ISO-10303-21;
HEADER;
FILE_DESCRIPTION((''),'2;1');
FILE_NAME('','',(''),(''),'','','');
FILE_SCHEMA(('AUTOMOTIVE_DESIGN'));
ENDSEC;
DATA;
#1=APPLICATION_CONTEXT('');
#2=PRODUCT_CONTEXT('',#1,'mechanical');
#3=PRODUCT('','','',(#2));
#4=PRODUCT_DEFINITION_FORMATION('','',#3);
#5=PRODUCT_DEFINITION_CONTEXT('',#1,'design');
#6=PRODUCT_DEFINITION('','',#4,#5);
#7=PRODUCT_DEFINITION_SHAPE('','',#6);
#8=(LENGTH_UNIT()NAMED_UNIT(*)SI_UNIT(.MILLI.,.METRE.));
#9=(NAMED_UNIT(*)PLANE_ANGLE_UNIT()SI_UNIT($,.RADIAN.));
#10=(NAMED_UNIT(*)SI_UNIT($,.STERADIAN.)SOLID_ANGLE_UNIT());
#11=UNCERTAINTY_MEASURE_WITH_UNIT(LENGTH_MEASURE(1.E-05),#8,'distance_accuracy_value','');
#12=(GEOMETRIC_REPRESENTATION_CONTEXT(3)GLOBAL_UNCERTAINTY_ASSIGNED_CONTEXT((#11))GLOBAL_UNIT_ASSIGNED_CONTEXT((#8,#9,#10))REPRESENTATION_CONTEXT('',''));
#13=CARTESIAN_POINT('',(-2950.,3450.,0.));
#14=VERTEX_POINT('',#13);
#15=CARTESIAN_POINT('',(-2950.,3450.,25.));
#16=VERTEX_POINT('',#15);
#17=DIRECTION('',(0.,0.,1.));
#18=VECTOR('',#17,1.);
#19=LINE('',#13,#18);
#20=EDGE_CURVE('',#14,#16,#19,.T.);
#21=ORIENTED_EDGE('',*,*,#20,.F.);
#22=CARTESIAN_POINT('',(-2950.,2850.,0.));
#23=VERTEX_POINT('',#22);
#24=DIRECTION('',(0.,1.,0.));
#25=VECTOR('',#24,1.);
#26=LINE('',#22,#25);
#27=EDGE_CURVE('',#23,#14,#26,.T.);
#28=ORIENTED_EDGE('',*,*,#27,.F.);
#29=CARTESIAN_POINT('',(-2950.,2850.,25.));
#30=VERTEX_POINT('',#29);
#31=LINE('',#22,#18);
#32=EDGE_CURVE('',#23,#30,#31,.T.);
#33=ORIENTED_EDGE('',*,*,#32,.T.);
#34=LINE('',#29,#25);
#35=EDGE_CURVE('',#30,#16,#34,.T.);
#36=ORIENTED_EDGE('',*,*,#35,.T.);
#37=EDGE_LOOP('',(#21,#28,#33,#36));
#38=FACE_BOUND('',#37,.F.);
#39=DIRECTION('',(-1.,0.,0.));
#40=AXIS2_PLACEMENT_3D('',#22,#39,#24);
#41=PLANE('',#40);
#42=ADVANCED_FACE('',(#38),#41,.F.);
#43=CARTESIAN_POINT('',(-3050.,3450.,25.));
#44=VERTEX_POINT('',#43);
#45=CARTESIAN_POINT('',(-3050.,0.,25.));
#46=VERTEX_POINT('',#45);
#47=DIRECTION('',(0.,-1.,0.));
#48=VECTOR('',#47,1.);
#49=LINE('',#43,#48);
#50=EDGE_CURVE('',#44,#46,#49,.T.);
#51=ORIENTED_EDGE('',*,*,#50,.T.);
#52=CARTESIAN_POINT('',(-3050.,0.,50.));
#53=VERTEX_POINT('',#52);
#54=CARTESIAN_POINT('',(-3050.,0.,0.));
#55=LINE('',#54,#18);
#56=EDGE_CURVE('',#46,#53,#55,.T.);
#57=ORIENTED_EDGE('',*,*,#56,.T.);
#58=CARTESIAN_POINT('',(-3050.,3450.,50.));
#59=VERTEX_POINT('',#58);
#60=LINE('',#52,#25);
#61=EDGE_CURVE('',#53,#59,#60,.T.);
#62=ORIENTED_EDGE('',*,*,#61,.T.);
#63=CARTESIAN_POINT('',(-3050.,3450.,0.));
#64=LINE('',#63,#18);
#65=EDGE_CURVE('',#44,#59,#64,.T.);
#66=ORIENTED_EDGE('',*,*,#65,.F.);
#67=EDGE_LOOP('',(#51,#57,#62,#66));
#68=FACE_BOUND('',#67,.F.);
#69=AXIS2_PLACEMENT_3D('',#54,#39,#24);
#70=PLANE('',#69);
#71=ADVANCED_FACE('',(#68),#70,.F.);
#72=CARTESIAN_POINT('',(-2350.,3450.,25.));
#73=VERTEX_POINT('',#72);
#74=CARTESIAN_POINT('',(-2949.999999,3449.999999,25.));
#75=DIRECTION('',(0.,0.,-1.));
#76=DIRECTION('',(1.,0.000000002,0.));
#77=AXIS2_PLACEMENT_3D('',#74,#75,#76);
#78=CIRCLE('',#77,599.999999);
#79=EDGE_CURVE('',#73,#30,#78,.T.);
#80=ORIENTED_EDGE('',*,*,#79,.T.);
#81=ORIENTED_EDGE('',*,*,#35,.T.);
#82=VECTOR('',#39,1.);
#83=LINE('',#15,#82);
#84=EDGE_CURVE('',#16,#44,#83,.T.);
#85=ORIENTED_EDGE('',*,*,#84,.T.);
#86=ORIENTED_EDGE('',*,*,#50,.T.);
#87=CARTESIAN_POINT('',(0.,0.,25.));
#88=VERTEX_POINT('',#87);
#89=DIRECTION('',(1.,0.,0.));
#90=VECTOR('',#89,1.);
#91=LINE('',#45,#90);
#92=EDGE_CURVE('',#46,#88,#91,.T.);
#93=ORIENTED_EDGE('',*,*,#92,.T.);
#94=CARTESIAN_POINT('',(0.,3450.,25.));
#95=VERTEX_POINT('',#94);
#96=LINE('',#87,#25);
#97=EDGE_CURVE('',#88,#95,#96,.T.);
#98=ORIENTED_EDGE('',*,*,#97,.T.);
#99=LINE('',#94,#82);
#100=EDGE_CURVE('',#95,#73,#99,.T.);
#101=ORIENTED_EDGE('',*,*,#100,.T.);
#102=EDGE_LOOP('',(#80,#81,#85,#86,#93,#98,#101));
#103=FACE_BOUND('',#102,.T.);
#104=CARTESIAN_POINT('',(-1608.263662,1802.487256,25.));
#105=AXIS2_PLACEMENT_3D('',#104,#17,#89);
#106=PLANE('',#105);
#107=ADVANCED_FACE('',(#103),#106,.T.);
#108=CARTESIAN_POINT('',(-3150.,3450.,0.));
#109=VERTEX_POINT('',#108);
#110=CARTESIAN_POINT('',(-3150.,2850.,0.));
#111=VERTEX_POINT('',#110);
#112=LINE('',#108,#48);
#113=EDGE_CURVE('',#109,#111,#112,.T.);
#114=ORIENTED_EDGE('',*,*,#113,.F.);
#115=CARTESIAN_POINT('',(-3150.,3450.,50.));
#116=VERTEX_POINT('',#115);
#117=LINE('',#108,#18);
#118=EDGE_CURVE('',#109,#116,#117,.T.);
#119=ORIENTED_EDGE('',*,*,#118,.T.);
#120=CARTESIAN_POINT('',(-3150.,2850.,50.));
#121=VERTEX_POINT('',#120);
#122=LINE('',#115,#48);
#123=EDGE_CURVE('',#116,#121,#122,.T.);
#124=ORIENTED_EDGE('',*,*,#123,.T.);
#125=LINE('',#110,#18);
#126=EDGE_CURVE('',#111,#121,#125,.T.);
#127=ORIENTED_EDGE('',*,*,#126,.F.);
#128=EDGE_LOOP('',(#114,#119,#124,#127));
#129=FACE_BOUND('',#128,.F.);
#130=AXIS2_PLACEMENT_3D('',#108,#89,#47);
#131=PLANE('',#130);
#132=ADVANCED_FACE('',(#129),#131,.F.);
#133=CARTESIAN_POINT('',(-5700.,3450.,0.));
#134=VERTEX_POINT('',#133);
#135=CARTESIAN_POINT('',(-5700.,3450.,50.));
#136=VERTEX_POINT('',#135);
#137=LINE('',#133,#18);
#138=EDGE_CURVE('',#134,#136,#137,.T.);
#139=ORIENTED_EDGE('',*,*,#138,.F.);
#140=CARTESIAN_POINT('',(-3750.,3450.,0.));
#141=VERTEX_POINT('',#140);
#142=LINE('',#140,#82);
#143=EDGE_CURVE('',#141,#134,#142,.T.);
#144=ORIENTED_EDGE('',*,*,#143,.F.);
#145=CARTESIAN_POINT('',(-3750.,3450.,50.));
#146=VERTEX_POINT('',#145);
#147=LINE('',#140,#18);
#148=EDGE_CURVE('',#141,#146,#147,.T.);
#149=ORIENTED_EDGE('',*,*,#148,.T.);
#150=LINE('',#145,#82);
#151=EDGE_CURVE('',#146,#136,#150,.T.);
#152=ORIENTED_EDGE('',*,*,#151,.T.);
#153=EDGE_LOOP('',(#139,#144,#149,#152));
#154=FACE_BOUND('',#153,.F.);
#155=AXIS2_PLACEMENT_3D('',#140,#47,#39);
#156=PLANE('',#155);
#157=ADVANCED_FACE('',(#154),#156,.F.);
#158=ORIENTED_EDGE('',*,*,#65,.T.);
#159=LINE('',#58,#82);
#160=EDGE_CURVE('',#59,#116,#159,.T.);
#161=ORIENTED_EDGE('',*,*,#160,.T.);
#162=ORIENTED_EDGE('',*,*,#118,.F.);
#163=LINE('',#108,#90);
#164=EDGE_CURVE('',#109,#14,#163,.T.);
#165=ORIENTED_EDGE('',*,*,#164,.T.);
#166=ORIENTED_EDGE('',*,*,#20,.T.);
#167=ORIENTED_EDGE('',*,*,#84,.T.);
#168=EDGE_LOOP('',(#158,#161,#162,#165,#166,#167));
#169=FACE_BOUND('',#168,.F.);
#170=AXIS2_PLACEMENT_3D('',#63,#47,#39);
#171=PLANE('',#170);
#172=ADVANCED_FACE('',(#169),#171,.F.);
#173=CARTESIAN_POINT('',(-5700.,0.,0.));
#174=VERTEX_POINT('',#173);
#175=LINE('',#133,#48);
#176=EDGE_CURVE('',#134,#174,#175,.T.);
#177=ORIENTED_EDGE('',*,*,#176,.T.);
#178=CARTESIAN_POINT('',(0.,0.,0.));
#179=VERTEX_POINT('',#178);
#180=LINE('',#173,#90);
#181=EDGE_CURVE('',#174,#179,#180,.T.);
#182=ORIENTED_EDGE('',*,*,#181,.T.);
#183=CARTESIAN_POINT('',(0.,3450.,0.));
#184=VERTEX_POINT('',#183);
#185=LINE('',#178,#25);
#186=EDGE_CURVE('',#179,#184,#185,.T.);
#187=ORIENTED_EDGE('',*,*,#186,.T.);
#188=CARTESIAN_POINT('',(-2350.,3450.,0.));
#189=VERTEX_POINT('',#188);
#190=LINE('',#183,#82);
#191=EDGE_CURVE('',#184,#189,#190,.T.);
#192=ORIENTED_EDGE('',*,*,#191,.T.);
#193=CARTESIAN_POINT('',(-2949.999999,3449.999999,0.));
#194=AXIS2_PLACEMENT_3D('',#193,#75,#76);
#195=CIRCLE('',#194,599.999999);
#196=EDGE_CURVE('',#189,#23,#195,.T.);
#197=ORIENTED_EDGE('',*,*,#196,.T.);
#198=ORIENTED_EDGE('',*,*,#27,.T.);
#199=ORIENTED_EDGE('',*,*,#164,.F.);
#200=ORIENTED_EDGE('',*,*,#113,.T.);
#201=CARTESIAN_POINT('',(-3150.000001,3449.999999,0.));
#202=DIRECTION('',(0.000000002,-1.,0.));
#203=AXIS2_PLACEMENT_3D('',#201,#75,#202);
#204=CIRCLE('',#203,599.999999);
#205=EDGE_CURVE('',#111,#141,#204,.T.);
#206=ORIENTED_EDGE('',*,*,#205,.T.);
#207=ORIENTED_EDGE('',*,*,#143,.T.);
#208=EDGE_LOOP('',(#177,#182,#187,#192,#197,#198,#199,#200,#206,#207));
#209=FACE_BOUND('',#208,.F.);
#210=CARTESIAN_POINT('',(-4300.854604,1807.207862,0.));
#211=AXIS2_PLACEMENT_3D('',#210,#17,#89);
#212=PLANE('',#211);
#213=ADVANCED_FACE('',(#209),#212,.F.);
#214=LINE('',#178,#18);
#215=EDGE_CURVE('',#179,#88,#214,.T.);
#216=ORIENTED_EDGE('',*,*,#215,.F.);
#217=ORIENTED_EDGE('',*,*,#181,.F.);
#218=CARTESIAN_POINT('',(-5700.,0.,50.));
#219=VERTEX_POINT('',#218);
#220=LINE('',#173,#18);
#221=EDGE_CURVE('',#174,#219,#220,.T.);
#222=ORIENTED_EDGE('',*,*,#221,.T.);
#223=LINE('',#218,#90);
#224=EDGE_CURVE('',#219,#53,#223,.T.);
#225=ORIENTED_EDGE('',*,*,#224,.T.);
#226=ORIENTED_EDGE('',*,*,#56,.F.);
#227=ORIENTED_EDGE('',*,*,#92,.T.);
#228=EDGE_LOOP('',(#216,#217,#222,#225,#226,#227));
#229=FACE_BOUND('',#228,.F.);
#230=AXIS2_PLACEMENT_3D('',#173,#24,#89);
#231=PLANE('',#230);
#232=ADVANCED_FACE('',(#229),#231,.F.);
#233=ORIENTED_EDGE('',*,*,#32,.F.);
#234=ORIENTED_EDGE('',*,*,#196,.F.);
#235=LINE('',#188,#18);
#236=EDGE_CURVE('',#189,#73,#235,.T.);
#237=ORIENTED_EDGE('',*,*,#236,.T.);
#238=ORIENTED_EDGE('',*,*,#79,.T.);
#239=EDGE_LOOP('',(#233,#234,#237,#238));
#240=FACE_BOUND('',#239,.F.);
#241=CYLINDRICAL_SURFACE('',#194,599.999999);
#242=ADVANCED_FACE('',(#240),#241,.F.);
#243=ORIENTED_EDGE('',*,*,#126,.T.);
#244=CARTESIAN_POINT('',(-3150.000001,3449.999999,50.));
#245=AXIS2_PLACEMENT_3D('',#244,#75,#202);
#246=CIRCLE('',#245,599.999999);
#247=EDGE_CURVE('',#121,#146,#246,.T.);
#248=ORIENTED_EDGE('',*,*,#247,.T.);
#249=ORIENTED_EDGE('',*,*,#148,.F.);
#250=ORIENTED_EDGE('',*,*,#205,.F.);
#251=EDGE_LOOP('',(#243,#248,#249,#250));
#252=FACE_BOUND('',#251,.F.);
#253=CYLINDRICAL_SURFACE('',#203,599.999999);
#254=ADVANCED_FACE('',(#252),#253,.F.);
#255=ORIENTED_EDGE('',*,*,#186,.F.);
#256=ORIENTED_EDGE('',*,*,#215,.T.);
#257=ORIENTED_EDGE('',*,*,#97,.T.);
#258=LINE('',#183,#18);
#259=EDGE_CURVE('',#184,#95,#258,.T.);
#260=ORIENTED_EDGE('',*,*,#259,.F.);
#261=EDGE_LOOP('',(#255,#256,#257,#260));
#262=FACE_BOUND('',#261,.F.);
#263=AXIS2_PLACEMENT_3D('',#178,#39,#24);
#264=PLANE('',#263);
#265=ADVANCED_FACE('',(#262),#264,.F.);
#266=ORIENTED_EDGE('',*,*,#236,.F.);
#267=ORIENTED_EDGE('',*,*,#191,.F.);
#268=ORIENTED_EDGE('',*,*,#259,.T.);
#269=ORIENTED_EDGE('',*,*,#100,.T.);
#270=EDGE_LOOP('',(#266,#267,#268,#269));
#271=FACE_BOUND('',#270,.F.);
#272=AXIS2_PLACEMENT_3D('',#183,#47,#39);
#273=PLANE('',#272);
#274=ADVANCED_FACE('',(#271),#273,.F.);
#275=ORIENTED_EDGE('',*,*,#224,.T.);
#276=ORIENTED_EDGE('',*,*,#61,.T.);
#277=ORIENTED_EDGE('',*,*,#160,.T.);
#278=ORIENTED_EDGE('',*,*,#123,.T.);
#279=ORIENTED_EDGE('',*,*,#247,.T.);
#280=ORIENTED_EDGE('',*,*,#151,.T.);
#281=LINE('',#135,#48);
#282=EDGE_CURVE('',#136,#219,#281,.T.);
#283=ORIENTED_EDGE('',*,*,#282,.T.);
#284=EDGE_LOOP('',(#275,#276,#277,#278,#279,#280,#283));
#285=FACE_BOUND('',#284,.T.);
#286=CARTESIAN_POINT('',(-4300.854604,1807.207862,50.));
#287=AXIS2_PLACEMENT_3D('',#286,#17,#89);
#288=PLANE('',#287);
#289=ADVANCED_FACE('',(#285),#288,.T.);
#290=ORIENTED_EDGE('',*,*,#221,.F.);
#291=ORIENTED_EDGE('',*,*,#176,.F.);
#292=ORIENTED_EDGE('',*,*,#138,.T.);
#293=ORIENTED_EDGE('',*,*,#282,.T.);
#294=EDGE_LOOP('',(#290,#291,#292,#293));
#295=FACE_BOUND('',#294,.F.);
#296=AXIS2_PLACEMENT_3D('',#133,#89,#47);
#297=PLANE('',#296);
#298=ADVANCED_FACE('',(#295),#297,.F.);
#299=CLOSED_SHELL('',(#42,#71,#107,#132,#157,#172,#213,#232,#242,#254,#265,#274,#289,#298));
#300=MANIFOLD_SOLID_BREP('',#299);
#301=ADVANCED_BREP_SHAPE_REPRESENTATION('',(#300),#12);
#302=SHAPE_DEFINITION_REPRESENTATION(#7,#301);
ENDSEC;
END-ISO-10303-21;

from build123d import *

# Parameters (mm, degrees)
F1_DEPTH = 25
F2_DEPTH = 50


with BuildPart() as f1:
    # F0 (on Top) → F1 (new body)
    with BuildSketch(Plane.XY):
        with BuildLine():
            Line((0, 0), (0, 3450))
            Line((0, 3450), (-2350, 3450))
            ThreePointArc((-2350, 3450), (-2525.735931, 3025.735931), (-2950, 2850))
            Line((-2950, 2850), (-2950, 3450))
            Line((-2950, 3450), (-3050, 3450))
            Line((-3050, 3450), (-3050, 0))
            Line((-3050, 0), (0, 0))
        make_face()
    extrude(amount=F1_DEPTH)

    # F0 (on Top) → F2 (join)
    with BuildSketch(Plane.XY):
        with BuildLine():
            Line((-5700, 0), (-3050, 0))
            Line((-3050, 0), (-3050, 3450))
            Line((-3050, 3450), (-3150, 3450))
            Line((-3150, 3450), (-3150, 2850))
            ThreePointArc((-3150, 2850), (-3574.264069, 3025.735931), (-3750, 3450))
            Line((-3750, 3450), (-5700, 3450))
            Line((-5700, 3450), (-5700, 0))
        make_face()
    extrude(amount=F2_DEPTH)


solid = f1.part
